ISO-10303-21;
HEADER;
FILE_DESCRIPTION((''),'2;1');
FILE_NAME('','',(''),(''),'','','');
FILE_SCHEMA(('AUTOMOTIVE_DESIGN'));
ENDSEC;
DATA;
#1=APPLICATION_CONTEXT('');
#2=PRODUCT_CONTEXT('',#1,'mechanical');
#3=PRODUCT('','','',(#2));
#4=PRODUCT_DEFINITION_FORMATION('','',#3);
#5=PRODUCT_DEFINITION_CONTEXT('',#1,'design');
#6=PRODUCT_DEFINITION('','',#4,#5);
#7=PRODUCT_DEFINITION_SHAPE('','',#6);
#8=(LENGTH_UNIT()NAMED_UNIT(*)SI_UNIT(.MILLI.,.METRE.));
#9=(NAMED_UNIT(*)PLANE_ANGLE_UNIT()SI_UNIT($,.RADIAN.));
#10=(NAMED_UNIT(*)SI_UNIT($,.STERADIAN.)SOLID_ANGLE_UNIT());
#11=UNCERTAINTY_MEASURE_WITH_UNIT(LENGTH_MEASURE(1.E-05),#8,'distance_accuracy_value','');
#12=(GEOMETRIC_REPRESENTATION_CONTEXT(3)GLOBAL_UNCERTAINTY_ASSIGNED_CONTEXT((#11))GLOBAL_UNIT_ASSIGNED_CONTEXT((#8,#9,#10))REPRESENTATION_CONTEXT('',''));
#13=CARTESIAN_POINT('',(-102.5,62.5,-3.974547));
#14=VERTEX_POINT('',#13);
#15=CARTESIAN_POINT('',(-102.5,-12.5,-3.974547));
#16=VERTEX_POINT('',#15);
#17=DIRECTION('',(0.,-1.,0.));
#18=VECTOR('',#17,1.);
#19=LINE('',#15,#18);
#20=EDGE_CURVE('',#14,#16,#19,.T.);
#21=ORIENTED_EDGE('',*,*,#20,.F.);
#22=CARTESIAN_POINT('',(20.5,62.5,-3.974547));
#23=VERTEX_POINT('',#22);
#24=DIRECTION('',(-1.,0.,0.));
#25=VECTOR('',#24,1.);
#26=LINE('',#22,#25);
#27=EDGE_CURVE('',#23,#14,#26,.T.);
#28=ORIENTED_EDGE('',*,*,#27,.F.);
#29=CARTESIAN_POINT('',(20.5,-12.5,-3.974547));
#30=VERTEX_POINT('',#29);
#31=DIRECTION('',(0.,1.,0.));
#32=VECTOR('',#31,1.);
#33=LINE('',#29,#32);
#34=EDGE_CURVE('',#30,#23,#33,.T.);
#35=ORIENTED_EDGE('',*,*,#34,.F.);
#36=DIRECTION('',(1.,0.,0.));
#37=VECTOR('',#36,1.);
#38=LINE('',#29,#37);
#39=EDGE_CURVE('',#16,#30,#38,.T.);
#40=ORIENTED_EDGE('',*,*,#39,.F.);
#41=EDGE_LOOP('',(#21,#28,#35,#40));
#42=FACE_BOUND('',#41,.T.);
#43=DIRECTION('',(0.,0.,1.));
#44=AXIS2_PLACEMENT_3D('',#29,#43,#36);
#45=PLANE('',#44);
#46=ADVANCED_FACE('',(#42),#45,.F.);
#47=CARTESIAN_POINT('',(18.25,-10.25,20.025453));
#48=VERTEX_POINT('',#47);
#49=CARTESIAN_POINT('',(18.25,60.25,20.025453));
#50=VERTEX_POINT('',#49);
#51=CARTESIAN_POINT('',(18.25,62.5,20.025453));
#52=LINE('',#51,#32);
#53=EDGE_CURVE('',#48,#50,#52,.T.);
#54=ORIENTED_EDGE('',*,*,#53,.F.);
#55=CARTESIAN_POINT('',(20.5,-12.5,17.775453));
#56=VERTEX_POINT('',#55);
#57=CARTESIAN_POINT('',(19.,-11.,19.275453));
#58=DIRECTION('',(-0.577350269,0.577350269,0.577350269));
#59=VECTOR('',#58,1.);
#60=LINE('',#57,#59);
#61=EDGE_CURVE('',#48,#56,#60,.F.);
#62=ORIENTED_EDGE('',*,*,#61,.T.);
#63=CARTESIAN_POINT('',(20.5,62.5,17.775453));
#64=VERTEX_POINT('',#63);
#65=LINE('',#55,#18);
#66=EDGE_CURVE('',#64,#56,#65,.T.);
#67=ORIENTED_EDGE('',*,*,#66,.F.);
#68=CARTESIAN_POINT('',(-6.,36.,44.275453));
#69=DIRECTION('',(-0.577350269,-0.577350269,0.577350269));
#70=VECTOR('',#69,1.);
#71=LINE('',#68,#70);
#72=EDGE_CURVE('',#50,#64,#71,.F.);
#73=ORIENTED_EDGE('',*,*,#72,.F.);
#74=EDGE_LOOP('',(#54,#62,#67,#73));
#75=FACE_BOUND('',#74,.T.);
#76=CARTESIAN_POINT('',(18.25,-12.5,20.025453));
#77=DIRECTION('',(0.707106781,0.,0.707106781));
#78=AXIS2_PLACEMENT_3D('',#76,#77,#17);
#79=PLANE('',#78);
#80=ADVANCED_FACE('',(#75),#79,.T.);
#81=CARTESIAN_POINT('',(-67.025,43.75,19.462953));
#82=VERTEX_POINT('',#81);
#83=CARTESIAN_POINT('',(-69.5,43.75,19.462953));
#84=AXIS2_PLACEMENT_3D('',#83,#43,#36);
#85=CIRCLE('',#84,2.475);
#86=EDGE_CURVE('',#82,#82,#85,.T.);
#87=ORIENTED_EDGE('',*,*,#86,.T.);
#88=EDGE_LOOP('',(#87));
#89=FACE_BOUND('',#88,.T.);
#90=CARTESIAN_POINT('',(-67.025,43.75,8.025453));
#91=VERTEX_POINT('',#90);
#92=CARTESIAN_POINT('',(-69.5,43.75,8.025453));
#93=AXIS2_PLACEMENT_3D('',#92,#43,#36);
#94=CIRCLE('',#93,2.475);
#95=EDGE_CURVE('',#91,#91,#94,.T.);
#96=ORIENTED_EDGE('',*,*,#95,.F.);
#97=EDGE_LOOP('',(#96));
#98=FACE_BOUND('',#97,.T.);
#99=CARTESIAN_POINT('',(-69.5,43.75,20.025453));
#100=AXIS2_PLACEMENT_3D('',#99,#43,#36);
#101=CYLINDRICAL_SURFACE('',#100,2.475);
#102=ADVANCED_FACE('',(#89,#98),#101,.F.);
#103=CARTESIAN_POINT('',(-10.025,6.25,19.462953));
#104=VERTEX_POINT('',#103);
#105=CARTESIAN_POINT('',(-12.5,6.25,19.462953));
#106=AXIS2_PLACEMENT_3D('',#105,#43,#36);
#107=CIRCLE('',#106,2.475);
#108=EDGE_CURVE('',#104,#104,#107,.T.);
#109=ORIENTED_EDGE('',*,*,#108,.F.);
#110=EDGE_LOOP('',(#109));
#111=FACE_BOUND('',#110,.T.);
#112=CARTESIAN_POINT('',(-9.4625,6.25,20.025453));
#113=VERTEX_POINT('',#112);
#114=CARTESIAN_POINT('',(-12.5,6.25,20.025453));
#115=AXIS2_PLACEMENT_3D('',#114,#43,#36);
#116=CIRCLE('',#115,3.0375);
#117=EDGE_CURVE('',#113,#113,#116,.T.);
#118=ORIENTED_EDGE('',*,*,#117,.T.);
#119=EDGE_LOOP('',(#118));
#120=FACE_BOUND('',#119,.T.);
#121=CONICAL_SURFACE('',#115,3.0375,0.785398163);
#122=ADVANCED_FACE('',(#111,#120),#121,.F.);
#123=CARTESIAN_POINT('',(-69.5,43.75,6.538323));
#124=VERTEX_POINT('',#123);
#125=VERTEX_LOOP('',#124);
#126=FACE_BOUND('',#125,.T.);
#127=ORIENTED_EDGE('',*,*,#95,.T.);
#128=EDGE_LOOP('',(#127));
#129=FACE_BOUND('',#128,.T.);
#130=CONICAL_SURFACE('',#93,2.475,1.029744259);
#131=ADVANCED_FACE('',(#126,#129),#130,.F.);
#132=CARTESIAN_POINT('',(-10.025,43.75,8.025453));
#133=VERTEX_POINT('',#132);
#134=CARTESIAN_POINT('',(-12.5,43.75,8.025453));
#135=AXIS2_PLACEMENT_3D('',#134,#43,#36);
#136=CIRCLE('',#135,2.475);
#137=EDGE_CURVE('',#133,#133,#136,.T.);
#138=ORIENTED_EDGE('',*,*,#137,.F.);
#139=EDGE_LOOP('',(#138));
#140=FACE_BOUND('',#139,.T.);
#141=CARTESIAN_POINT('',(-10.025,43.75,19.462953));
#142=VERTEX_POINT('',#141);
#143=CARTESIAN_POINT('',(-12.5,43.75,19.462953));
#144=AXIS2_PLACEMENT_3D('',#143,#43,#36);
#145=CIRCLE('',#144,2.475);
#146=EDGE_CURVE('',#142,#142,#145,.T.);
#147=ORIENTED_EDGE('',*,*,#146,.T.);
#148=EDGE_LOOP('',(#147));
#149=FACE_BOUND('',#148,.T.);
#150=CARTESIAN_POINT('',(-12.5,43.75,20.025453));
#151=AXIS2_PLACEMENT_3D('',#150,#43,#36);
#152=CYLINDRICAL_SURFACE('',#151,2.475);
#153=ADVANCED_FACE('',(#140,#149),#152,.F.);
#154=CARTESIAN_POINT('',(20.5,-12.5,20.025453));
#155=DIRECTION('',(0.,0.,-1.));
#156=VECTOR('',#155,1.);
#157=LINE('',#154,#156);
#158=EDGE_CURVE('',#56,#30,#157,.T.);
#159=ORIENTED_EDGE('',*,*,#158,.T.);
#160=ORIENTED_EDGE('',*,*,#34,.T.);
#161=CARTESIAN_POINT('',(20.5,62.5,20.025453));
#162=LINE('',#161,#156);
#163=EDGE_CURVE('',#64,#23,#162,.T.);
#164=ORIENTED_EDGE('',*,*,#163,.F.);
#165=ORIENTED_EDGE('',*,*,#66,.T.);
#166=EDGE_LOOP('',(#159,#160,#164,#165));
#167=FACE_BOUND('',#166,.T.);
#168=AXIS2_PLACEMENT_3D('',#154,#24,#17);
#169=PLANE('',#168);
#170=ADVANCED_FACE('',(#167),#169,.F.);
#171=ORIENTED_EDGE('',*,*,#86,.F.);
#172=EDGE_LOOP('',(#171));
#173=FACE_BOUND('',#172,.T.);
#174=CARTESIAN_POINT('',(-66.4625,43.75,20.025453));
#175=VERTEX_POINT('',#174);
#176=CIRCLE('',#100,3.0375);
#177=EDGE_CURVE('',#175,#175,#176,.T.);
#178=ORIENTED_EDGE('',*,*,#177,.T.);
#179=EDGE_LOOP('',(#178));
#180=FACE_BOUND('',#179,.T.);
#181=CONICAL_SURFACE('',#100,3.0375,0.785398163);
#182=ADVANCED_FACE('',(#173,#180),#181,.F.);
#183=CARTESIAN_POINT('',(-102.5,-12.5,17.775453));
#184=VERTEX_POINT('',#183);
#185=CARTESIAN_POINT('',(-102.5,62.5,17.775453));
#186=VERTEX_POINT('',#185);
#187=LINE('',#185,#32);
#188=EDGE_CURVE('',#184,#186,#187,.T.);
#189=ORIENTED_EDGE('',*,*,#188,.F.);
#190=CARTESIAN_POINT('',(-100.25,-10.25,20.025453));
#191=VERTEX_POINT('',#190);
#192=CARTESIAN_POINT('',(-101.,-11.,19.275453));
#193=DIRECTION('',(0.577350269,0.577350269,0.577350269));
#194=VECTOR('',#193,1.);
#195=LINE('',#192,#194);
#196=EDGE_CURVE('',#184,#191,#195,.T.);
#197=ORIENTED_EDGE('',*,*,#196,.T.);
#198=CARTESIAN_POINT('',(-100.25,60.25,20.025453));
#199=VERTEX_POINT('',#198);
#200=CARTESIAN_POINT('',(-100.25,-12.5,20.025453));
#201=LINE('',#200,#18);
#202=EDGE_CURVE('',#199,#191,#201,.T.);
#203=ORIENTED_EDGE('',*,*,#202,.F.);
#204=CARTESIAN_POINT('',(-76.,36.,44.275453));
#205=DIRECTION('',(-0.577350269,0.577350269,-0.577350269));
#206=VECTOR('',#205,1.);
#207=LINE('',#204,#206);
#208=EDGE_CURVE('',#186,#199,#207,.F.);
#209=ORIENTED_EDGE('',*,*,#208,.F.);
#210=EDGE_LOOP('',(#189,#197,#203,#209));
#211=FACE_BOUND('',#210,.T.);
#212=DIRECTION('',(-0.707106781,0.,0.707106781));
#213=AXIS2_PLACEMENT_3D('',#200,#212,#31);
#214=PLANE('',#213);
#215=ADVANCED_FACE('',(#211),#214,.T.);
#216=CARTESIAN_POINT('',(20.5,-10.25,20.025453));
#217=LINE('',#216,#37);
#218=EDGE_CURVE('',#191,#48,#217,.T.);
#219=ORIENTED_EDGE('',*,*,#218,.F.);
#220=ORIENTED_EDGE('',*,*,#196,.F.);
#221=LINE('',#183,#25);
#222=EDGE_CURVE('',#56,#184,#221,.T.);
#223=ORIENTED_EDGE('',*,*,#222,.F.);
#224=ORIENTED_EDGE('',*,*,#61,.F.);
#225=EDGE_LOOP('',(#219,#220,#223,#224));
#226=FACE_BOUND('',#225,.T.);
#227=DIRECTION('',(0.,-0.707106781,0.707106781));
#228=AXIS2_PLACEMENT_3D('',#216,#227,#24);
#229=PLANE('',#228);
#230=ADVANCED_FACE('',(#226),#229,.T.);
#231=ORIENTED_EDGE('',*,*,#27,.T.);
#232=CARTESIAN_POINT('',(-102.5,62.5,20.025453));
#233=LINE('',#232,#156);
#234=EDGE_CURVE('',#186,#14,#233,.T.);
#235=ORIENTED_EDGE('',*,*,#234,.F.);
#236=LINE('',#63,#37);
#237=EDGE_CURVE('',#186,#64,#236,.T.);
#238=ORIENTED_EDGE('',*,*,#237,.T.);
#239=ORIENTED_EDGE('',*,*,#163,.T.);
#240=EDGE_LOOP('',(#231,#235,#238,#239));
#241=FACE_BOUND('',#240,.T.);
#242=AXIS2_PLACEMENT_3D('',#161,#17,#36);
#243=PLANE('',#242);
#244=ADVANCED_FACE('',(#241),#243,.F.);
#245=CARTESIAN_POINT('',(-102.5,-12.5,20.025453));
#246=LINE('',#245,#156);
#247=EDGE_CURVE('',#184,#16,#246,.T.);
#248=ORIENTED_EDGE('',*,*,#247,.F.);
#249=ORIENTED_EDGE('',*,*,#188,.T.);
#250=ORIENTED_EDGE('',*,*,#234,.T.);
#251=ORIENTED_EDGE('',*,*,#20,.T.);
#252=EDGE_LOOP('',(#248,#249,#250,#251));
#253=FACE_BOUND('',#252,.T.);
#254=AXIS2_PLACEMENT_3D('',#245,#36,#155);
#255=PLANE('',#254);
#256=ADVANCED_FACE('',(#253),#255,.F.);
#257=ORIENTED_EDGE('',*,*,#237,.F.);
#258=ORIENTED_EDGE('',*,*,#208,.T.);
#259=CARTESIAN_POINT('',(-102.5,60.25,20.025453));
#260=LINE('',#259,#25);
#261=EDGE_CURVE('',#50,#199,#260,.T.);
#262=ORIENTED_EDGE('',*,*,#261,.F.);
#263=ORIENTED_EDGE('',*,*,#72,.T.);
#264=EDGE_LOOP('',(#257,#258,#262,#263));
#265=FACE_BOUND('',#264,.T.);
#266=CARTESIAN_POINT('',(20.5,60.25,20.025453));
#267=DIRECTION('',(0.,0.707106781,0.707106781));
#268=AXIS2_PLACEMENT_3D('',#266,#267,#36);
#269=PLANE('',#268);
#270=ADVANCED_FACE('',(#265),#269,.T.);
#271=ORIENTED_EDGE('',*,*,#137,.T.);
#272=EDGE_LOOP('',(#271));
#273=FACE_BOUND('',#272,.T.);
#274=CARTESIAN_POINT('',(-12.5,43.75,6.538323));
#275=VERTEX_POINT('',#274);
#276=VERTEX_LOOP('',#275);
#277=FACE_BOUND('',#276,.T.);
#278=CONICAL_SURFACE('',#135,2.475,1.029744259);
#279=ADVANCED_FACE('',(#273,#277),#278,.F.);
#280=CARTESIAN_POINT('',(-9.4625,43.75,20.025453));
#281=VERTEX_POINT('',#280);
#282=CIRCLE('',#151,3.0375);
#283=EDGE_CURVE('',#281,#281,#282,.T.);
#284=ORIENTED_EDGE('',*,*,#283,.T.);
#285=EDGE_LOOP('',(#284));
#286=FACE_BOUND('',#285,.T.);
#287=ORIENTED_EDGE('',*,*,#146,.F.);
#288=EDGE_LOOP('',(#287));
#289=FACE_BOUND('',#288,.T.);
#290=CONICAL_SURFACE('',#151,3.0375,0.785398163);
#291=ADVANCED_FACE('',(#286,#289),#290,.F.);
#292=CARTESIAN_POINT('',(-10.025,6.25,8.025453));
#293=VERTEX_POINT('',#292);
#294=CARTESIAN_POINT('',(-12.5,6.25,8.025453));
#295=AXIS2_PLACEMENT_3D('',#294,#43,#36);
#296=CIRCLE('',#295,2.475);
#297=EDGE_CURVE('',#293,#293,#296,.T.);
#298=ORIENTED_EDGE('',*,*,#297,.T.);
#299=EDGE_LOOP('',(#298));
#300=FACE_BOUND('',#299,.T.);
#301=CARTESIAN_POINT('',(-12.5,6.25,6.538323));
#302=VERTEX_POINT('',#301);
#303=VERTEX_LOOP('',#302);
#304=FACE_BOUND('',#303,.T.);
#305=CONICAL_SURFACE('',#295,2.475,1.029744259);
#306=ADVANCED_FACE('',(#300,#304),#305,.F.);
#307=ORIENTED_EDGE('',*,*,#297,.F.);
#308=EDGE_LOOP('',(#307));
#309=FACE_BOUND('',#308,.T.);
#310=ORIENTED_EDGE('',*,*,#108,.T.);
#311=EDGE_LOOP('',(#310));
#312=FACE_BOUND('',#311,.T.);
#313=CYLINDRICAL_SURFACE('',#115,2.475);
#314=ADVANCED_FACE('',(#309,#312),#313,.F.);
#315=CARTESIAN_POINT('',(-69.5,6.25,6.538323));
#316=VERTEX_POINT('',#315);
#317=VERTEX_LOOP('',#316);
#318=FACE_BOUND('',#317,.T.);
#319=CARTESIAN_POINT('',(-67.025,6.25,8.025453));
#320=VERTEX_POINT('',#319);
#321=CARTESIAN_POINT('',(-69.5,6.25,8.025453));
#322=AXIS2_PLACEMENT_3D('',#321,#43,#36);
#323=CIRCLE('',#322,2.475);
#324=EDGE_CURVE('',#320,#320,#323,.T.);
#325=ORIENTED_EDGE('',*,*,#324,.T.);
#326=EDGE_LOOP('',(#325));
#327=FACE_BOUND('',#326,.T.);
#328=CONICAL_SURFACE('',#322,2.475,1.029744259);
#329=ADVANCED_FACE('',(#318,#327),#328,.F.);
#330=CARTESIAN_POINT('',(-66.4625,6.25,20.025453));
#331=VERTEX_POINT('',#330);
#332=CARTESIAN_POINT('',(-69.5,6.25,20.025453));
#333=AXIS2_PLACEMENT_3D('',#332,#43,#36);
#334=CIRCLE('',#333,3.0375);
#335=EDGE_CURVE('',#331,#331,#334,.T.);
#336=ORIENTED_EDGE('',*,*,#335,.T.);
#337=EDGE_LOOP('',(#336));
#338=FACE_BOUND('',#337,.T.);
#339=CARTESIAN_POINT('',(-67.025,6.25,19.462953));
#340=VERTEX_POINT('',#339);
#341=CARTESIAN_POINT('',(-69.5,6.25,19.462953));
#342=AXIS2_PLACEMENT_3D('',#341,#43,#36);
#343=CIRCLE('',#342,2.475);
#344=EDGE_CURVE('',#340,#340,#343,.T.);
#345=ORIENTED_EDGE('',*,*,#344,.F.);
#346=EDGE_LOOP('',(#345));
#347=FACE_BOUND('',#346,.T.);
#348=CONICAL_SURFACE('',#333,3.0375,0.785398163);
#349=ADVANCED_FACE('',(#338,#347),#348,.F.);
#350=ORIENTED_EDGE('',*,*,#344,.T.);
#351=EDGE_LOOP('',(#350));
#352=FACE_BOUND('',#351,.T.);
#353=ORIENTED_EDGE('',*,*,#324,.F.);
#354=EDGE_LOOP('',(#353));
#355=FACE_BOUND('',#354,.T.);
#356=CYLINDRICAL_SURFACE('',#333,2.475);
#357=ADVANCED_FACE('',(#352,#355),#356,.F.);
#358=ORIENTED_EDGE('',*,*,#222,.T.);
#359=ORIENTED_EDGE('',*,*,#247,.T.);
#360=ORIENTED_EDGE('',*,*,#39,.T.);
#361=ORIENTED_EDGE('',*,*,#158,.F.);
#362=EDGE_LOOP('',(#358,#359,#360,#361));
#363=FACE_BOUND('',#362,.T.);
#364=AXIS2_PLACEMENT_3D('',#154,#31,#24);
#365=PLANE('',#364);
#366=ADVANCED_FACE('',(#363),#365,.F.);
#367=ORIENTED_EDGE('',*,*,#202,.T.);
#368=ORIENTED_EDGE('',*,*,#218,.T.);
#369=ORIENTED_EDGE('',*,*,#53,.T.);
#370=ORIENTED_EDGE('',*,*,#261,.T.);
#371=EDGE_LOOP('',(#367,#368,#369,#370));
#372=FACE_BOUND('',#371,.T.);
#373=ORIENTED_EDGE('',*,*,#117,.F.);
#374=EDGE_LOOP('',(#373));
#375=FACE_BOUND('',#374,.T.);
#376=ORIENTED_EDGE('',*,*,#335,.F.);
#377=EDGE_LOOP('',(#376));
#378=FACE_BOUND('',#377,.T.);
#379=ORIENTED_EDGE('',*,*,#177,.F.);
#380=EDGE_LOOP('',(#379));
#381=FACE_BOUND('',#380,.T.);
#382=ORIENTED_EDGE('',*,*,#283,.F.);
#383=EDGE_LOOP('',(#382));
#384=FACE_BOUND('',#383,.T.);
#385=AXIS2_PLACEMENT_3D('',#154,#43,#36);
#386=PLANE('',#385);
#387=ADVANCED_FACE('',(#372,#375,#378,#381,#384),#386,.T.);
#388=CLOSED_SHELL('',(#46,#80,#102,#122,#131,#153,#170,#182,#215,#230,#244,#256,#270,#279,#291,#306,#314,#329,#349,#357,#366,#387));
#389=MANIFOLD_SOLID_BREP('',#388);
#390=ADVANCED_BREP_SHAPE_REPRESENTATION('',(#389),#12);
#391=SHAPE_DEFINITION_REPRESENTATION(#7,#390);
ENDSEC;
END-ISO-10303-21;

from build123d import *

# Parameters (mm, degrees)
SKETCH1_W                   = 82
SKETCH1_H                   = 50
BOSS_EXTRUDE4_DEPTH         = 16
M4_TAPPED_HOLE1_D           = 3.3
M4_TAPPED_HOLE1_DEPTH       = 8
M4_TAPPED_HOLE1_CSINK_D     = 4.05
M4_TAPPED_HOLE1_CSINK_ANGLE = 90
M4_TAPPED_HOLE1_TIP         = 0.991420021
CHAMFER1_SIZE               = 1.5
SCALE1_SCALE                = 1.5


with BuildPart() as part:
    # Sketch1 → Boss-Extrude4 (new body)
    with BuildSketch(Plane.XY):
        with Locations((-41, 25)):
            Rectangle(SKETCH1_W, SKETCH1_H)
    extrude(amount=BOSS_EXTRUDE4_DEPTH)

    # M4 Tapped Hole1
    with Locations(Plane.XY.offset(16)):
        with Locations((-60, 37.5), (-60, 12.5), (-22, 12.5), (-22, 37.5)):
            CounterSinkHole(M4_TAPPED_HOLE1_D / 2, M4_TAPPED_HOLE1_CSINK_D / 2, depth=M4_TAPPED_HOLE1_DEPTH, counter_sink_angle=M4_TAPPED_HOLE1_CSINK_ANGLE)
            with Locations((0, 0, -(M4_TAPPED_HOLE1_DEPTH + M4_TAPPED_HOLE1_TIP / 2))):  # 118° drill point
                Cone(0, M4_TAPPED_HOLE1_D / 2, M4_TAPPED_HOLE1_TIP, mode=Mode.SUBTRACT)

    # Chamfer1
    chamfer1_edges = [part.edges().sort_by_distance(p)[0] for p in [
        (-82, 25, 16),
        (-41, 0, 16),
        (0, 25, 16),
        (-41, 50, 16),
    ]]
    chamfer(chamfer1_edges, length=CHAMFER1_SIZE)


with BuildPart() as part_1:
    # Scale1: scaled about (-41, 25, 7.949093999)
    add(part.part.scale(SCALE1_SCALE).moved(Location((20.5, -12.5, -3.974546999))))


solid = part_1.part
